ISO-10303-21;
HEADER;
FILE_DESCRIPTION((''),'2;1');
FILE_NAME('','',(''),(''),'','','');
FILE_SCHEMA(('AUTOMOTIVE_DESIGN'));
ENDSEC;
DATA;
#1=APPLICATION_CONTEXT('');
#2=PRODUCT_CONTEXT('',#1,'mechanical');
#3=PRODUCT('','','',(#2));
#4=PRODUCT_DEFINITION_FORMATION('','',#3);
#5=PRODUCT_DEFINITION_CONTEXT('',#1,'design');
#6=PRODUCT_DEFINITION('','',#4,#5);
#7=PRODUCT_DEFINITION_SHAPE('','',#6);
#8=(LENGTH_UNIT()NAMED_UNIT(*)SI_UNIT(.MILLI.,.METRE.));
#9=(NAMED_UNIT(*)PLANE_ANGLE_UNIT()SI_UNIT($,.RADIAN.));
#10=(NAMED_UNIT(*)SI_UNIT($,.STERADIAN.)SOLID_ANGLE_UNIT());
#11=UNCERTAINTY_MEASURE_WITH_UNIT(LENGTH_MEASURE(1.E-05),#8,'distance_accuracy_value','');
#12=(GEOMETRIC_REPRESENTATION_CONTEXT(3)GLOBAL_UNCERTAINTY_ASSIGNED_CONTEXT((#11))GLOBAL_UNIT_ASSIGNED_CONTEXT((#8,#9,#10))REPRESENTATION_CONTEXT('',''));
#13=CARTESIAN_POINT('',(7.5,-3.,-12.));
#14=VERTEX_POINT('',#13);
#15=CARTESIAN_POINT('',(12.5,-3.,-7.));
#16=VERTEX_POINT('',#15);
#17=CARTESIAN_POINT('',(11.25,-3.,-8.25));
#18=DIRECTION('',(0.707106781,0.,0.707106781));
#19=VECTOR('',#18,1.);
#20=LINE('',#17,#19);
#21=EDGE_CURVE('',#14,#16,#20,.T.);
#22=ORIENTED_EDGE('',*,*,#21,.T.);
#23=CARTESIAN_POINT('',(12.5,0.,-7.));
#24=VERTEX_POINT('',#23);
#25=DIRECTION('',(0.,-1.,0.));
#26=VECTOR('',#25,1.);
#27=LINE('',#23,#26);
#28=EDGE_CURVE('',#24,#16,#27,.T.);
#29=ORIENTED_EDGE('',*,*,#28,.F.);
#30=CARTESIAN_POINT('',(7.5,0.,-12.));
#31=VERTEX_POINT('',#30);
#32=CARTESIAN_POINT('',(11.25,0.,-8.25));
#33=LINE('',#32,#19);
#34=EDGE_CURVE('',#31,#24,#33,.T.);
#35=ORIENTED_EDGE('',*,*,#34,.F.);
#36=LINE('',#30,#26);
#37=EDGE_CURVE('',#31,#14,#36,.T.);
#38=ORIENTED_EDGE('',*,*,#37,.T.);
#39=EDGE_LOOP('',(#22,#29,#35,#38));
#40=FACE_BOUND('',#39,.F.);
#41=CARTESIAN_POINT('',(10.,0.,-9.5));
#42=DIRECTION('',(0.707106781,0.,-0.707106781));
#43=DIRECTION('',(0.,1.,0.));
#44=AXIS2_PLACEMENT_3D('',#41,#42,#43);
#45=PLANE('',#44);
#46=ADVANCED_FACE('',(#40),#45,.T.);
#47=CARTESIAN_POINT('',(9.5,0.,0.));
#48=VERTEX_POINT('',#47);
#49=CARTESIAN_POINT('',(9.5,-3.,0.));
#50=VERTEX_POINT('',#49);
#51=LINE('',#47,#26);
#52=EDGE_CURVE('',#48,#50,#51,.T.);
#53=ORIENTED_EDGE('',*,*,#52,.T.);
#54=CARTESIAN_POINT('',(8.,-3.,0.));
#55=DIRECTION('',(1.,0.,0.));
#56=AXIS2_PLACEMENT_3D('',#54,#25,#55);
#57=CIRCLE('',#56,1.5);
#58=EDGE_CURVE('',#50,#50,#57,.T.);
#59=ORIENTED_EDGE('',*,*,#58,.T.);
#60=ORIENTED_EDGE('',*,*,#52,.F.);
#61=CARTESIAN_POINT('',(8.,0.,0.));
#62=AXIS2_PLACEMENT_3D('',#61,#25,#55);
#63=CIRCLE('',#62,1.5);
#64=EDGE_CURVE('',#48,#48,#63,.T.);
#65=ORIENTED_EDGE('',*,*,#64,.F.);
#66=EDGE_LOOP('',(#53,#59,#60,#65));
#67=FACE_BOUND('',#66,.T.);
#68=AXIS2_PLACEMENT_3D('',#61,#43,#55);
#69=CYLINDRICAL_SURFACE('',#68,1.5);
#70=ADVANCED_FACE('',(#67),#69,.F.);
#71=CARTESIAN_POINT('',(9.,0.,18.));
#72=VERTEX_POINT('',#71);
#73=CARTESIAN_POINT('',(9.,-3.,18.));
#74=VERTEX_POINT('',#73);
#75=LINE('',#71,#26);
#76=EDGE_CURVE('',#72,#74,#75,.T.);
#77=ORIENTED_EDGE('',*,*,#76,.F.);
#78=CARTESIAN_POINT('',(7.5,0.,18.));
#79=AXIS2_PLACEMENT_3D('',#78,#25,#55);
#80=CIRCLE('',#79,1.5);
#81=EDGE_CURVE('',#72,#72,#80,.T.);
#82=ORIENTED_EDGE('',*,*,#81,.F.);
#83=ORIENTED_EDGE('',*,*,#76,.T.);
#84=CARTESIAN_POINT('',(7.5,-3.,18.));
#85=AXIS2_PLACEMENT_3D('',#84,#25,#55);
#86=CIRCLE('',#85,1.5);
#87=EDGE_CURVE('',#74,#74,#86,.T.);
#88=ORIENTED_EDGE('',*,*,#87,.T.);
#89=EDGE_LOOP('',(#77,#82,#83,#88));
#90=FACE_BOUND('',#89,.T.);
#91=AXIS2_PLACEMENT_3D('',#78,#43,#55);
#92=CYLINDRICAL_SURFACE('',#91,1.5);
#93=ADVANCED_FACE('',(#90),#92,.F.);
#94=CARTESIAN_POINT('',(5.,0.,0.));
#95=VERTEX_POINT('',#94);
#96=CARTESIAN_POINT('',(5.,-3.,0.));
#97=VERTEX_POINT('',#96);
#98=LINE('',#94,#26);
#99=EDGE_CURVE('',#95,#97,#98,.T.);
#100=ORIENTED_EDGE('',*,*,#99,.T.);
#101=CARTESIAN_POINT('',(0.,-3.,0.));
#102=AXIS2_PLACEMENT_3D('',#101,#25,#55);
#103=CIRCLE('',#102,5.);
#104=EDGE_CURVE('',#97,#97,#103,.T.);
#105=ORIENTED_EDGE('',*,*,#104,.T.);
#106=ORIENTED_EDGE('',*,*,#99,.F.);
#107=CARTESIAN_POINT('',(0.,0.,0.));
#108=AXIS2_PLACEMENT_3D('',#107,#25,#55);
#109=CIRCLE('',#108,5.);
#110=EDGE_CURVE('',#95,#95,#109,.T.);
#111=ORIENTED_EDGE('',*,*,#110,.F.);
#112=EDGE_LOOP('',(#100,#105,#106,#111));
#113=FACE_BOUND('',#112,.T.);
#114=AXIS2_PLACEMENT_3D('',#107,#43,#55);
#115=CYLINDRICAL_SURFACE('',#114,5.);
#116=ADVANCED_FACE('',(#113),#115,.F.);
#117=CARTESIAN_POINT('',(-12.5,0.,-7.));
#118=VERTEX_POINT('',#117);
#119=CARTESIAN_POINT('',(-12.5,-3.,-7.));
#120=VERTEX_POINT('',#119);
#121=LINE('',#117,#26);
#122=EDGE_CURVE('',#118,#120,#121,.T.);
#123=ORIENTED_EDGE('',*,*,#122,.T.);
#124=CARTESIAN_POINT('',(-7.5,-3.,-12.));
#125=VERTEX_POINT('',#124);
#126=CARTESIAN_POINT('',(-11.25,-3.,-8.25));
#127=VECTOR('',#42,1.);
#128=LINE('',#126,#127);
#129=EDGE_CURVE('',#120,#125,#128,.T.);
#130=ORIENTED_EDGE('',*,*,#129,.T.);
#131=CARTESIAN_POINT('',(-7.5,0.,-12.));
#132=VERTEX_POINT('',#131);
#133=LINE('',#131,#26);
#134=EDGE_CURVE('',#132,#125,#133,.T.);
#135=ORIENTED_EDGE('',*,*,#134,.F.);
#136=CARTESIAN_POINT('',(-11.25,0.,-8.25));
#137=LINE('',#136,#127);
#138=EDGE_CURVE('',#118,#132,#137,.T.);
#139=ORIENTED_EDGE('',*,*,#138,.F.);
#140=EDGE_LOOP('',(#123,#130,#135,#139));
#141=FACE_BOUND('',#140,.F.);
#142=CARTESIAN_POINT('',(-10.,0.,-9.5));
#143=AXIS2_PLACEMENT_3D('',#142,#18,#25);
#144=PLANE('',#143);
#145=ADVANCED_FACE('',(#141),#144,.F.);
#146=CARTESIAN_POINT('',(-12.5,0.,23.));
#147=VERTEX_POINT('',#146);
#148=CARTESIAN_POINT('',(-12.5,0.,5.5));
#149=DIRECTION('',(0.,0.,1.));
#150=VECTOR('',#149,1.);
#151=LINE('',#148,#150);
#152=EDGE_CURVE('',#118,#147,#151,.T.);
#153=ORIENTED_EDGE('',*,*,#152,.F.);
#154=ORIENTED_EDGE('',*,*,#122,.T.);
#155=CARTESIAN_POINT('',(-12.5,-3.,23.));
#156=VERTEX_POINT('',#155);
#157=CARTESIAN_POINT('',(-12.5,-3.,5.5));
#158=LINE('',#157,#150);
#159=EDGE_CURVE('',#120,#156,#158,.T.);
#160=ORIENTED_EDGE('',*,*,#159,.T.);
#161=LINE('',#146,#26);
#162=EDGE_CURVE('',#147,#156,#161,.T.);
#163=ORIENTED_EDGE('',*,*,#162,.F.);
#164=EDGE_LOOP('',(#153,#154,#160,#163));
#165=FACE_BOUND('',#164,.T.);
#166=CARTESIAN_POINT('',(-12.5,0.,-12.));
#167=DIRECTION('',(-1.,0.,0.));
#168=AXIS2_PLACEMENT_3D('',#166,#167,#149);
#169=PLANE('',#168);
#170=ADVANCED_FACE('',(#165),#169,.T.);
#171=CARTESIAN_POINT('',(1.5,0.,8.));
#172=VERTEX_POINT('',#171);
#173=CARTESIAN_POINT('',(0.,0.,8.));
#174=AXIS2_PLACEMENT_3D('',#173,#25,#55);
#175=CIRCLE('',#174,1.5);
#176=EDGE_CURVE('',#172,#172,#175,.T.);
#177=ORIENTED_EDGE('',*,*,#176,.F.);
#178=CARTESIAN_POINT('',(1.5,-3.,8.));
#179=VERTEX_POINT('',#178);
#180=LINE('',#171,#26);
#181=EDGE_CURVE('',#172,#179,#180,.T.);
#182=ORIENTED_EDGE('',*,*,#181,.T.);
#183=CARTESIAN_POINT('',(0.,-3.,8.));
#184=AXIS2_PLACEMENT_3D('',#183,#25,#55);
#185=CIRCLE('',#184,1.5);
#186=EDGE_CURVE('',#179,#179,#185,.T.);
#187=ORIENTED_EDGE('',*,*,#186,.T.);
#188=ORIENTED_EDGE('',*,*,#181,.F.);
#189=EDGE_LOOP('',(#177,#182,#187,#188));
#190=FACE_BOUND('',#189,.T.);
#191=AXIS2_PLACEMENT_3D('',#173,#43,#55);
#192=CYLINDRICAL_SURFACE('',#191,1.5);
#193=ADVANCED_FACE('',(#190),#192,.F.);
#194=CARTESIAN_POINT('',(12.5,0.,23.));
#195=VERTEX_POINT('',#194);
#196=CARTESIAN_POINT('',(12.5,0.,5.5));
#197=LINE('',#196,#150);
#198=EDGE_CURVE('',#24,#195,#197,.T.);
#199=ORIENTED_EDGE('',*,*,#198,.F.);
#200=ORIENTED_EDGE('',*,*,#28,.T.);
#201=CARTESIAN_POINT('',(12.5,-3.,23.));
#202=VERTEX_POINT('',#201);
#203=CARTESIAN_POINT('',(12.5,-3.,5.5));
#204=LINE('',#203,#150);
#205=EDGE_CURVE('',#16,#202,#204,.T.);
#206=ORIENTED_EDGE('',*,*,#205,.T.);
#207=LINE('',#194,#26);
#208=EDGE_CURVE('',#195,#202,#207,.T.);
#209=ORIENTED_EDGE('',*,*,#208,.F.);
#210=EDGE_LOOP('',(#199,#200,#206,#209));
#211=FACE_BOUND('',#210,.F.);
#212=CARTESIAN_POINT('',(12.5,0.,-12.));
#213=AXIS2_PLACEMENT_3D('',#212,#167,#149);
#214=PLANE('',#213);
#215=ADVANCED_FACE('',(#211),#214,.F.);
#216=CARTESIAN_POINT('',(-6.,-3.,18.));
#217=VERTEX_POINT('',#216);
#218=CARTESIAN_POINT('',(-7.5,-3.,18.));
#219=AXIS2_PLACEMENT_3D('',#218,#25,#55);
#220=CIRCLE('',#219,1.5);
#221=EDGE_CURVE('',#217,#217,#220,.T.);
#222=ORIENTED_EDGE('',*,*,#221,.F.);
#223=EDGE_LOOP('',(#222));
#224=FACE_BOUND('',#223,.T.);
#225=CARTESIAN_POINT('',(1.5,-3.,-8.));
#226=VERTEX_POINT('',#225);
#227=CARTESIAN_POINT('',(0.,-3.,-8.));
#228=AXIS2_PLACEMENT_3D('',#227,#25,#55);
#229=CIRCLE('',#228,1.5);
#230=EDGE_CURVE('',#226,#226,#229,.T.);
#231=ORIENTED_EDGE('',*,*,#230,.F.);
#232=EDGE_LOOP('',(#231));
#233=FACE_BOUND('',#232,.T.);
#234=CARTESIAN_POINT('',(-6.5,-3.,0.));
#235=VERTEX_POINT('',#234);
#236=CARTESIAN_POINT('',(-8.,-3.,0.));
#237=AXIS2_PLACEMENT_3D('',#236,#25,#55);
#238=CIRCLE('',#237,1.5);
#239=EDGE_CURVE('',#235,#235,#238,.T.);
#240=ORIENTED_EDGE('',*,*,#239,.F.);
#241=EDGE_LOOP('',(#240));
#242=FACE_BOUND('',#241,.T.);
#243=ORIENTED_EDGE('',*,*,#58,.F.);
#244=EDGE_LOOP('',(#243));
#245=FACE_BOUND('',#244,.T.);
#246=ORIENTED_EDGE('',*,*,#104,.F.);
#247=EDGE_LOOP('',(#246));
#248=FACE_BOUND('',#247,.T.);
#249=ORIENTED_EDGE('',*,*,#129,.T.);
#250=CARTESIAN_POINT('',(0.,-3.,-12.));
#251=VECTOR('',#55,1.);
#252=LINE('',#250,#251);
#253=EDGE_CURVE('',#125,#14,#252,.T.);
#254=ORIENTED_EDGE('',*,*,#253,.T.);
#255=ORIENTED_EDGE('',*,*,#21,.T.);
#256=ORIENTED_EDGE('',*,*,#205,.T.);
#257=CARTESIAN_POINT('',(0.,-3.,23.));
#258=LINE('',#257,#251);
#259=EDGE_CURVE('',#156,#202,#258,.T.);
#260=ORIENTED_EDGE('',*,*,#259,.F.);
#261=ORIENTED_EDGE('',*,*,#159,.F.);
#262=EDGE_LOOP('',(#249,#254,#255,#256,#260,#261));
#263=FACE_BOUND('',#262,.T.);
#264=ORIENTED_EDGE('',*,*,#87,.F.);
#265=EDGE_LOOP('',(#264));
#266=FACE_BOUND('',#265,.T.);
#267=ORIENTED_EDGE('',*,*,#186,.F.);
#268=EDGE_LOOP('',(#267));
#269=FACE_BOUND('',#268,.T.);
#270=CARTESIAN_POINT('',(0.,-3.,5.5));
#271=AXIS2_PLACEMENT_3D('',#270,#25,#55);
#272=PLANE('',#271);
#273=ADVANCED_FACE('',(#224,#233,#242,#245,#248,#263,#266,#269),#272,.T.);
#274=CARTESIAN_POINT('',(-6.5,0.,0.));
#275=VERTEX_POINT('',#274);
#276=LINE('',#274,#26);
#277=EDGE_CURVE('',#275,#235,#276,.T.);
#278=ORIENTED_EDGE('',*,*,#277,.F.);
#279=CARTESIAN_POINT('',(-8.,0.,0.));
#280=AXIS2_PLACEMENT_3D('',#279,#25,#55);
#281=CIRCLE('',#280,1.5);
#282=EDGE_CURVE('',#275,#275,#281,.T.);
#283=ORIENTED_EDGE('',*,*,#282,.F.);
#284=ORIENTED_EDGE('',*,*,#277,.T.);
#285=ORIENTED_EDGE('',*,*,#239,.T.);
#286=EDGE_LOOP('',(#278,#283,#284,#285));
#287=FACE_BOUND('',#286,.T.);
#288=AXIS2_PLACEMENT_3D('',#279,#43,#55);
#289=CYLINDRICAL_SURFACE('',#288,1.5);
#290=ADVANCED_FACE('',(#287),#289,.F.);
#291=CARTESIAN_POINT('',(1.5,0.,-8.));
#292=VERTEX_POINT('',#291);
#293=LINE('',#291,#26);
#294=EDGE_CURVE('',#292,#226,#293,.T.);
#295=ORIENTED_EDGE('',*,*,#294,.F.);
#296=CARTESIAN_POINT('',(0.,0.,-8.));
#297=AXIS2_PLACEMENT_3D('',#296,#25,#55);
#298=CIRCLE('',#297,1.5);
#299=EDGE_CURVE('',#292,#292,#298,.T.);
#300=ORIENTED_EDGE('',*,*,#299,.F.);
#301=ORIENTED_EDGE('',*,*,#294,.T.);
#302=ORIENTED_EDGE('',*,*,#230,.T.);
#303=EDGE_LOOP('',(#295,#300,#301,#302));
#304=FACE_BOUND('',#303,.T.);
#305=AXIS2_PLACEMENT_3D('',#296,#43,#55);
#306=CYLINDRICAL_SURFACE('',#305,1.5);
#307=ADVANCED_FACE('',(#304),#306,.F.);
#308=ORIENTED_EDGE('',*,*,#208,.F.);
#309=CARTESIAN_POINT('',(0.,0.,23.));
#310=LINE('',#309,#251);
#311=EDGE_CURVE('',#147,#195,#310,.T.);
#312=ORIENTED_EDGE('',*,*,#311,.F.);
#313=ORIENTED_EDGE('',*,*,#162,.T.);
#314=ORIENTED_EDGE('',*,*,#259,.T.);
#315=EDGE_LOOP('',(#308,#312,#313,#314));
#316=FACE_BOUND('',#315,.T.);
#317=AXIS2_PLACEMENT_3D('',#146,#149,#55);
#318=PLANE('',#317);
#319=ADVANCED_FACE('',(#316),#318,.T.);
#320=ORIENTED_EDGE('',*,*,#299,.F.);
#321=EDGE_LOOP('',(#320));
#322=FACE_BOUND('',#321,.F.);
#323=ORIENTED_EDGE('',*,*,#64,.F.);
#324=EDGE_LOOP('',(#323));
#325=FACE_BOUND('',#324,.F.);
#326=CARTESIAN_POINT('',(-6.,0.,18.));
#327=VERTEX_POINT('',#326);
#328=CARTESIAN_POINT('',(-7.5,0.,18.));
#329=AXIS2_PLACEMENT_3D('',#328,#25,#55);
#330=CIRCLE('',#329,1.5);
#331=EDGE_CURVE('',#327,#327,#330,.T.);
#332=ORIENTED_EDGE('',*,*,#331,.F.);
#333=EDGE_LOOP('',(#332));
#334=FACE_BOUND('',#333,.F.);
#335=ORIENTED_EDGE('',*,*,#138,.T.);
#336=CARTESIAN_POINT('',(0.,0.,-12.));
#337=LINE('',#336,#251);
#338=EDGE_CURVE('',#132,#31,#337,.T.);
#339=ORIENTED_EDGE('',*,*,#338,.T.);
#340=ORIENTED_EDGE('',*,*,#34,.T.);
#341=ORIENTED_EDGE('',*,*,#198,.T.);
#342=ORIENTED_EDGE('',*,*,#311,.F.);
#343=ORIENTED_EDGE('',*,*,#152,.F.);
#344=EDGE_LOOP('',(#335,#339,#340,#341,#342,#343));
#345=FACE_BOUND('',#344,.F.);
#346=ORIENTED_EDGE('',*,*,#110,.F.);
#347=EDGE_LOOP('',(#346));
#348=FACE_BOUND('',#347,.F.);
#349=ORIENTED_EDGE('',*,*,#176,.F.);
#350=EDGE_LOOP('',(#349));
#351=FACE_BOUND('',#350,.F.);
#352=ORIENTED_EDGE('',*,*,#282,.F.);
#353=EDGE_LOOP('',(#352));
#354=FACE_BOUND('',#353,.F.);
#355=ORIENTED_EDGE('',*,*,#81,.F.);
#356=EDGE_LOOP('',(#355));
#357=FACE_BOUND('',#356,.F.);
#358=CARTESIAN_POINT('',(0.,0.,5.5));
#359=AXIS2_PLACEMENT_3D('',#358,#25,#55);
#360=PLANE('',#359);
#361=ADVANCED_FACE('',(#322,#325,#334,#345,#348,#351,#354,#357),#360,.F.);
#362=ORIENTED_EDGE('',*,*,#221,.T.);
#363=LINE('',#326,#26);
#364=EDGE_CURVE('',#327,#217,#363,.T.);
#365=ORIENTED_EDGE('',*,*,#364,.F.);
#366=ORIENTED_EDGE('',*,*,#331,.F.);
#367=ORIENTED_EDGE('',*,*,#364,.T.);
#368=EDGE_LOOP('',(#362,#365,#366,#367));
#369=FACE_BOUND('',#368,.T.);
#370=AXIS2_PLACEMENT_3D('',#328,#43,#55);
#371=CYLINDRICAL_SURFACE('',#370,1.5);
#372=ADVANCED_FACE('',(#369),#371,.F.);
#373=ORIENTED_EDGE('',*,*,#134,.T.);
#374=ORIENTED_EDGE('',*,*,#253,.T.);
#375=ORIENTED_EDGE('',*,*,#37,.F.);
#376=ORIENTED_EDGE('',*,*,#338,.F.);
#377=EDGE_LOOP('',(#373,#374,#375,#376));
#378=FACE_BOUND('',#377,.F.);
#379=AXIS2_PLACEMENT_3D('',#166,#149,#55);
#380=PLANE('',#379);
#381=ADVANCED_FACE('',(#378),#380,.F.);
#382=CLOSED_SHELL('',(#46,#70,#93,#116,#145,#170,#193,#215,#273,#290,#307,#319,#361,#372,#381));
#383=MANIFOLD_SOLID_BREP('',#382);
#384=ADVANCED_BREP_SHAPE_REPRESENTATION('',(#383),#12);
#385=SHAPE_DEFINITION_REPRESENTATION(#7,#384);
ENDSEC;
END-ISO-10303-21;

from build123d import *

# Parameters (mm, degrees)
F0_W     = 25
F0_H     = 35
F0_R     = 1.5
F0_R_2   = 5
F1_DEPTH = 3
F2_SIZE  = 5


with BuildPart() as f1:
    # F0 (on Front) → F1 (new body)
    with BuildSketch(Plane.XZ):
        with Locations((0, 5.5)):
            Rectangle(F0_W, F0_H)
        with Locations((-8, 0)):
            Circle(F0_R, mode=Mode.SUBTRACT)
        with Locations((0, -8)):
            Circle(F0_R, mode=Mode.SUBTRACT)
        Circle(F0_R_2, mode=Mode.SUBTRACT)
        with Locations((8, 0)):
            Circle(F0_R, mode=Mode.SUBTRACT)
        with Locations((-7.5, 18)):
            Circle(F0_R, mode=Mode.SUBTRACT)
        with Locations((0, 8)):
            Circle(F0_R, mode=Mode.SUBTRACT)
        with Locations((7.5, 18)):
            Circle(F0_R, mode=Mode.SUBTRACT)
    extrude(amount=F1_DEPTH)

    # F2
    f2_edges = [f1.edges().sort_by_distance(p)[0] for p in [
        (-12.5, -1.5, -12),
        (12.5, -1.5, -12),
    ]]
    chamfer(f2_edges, length=F2_SIZE)


solid = f1.part
